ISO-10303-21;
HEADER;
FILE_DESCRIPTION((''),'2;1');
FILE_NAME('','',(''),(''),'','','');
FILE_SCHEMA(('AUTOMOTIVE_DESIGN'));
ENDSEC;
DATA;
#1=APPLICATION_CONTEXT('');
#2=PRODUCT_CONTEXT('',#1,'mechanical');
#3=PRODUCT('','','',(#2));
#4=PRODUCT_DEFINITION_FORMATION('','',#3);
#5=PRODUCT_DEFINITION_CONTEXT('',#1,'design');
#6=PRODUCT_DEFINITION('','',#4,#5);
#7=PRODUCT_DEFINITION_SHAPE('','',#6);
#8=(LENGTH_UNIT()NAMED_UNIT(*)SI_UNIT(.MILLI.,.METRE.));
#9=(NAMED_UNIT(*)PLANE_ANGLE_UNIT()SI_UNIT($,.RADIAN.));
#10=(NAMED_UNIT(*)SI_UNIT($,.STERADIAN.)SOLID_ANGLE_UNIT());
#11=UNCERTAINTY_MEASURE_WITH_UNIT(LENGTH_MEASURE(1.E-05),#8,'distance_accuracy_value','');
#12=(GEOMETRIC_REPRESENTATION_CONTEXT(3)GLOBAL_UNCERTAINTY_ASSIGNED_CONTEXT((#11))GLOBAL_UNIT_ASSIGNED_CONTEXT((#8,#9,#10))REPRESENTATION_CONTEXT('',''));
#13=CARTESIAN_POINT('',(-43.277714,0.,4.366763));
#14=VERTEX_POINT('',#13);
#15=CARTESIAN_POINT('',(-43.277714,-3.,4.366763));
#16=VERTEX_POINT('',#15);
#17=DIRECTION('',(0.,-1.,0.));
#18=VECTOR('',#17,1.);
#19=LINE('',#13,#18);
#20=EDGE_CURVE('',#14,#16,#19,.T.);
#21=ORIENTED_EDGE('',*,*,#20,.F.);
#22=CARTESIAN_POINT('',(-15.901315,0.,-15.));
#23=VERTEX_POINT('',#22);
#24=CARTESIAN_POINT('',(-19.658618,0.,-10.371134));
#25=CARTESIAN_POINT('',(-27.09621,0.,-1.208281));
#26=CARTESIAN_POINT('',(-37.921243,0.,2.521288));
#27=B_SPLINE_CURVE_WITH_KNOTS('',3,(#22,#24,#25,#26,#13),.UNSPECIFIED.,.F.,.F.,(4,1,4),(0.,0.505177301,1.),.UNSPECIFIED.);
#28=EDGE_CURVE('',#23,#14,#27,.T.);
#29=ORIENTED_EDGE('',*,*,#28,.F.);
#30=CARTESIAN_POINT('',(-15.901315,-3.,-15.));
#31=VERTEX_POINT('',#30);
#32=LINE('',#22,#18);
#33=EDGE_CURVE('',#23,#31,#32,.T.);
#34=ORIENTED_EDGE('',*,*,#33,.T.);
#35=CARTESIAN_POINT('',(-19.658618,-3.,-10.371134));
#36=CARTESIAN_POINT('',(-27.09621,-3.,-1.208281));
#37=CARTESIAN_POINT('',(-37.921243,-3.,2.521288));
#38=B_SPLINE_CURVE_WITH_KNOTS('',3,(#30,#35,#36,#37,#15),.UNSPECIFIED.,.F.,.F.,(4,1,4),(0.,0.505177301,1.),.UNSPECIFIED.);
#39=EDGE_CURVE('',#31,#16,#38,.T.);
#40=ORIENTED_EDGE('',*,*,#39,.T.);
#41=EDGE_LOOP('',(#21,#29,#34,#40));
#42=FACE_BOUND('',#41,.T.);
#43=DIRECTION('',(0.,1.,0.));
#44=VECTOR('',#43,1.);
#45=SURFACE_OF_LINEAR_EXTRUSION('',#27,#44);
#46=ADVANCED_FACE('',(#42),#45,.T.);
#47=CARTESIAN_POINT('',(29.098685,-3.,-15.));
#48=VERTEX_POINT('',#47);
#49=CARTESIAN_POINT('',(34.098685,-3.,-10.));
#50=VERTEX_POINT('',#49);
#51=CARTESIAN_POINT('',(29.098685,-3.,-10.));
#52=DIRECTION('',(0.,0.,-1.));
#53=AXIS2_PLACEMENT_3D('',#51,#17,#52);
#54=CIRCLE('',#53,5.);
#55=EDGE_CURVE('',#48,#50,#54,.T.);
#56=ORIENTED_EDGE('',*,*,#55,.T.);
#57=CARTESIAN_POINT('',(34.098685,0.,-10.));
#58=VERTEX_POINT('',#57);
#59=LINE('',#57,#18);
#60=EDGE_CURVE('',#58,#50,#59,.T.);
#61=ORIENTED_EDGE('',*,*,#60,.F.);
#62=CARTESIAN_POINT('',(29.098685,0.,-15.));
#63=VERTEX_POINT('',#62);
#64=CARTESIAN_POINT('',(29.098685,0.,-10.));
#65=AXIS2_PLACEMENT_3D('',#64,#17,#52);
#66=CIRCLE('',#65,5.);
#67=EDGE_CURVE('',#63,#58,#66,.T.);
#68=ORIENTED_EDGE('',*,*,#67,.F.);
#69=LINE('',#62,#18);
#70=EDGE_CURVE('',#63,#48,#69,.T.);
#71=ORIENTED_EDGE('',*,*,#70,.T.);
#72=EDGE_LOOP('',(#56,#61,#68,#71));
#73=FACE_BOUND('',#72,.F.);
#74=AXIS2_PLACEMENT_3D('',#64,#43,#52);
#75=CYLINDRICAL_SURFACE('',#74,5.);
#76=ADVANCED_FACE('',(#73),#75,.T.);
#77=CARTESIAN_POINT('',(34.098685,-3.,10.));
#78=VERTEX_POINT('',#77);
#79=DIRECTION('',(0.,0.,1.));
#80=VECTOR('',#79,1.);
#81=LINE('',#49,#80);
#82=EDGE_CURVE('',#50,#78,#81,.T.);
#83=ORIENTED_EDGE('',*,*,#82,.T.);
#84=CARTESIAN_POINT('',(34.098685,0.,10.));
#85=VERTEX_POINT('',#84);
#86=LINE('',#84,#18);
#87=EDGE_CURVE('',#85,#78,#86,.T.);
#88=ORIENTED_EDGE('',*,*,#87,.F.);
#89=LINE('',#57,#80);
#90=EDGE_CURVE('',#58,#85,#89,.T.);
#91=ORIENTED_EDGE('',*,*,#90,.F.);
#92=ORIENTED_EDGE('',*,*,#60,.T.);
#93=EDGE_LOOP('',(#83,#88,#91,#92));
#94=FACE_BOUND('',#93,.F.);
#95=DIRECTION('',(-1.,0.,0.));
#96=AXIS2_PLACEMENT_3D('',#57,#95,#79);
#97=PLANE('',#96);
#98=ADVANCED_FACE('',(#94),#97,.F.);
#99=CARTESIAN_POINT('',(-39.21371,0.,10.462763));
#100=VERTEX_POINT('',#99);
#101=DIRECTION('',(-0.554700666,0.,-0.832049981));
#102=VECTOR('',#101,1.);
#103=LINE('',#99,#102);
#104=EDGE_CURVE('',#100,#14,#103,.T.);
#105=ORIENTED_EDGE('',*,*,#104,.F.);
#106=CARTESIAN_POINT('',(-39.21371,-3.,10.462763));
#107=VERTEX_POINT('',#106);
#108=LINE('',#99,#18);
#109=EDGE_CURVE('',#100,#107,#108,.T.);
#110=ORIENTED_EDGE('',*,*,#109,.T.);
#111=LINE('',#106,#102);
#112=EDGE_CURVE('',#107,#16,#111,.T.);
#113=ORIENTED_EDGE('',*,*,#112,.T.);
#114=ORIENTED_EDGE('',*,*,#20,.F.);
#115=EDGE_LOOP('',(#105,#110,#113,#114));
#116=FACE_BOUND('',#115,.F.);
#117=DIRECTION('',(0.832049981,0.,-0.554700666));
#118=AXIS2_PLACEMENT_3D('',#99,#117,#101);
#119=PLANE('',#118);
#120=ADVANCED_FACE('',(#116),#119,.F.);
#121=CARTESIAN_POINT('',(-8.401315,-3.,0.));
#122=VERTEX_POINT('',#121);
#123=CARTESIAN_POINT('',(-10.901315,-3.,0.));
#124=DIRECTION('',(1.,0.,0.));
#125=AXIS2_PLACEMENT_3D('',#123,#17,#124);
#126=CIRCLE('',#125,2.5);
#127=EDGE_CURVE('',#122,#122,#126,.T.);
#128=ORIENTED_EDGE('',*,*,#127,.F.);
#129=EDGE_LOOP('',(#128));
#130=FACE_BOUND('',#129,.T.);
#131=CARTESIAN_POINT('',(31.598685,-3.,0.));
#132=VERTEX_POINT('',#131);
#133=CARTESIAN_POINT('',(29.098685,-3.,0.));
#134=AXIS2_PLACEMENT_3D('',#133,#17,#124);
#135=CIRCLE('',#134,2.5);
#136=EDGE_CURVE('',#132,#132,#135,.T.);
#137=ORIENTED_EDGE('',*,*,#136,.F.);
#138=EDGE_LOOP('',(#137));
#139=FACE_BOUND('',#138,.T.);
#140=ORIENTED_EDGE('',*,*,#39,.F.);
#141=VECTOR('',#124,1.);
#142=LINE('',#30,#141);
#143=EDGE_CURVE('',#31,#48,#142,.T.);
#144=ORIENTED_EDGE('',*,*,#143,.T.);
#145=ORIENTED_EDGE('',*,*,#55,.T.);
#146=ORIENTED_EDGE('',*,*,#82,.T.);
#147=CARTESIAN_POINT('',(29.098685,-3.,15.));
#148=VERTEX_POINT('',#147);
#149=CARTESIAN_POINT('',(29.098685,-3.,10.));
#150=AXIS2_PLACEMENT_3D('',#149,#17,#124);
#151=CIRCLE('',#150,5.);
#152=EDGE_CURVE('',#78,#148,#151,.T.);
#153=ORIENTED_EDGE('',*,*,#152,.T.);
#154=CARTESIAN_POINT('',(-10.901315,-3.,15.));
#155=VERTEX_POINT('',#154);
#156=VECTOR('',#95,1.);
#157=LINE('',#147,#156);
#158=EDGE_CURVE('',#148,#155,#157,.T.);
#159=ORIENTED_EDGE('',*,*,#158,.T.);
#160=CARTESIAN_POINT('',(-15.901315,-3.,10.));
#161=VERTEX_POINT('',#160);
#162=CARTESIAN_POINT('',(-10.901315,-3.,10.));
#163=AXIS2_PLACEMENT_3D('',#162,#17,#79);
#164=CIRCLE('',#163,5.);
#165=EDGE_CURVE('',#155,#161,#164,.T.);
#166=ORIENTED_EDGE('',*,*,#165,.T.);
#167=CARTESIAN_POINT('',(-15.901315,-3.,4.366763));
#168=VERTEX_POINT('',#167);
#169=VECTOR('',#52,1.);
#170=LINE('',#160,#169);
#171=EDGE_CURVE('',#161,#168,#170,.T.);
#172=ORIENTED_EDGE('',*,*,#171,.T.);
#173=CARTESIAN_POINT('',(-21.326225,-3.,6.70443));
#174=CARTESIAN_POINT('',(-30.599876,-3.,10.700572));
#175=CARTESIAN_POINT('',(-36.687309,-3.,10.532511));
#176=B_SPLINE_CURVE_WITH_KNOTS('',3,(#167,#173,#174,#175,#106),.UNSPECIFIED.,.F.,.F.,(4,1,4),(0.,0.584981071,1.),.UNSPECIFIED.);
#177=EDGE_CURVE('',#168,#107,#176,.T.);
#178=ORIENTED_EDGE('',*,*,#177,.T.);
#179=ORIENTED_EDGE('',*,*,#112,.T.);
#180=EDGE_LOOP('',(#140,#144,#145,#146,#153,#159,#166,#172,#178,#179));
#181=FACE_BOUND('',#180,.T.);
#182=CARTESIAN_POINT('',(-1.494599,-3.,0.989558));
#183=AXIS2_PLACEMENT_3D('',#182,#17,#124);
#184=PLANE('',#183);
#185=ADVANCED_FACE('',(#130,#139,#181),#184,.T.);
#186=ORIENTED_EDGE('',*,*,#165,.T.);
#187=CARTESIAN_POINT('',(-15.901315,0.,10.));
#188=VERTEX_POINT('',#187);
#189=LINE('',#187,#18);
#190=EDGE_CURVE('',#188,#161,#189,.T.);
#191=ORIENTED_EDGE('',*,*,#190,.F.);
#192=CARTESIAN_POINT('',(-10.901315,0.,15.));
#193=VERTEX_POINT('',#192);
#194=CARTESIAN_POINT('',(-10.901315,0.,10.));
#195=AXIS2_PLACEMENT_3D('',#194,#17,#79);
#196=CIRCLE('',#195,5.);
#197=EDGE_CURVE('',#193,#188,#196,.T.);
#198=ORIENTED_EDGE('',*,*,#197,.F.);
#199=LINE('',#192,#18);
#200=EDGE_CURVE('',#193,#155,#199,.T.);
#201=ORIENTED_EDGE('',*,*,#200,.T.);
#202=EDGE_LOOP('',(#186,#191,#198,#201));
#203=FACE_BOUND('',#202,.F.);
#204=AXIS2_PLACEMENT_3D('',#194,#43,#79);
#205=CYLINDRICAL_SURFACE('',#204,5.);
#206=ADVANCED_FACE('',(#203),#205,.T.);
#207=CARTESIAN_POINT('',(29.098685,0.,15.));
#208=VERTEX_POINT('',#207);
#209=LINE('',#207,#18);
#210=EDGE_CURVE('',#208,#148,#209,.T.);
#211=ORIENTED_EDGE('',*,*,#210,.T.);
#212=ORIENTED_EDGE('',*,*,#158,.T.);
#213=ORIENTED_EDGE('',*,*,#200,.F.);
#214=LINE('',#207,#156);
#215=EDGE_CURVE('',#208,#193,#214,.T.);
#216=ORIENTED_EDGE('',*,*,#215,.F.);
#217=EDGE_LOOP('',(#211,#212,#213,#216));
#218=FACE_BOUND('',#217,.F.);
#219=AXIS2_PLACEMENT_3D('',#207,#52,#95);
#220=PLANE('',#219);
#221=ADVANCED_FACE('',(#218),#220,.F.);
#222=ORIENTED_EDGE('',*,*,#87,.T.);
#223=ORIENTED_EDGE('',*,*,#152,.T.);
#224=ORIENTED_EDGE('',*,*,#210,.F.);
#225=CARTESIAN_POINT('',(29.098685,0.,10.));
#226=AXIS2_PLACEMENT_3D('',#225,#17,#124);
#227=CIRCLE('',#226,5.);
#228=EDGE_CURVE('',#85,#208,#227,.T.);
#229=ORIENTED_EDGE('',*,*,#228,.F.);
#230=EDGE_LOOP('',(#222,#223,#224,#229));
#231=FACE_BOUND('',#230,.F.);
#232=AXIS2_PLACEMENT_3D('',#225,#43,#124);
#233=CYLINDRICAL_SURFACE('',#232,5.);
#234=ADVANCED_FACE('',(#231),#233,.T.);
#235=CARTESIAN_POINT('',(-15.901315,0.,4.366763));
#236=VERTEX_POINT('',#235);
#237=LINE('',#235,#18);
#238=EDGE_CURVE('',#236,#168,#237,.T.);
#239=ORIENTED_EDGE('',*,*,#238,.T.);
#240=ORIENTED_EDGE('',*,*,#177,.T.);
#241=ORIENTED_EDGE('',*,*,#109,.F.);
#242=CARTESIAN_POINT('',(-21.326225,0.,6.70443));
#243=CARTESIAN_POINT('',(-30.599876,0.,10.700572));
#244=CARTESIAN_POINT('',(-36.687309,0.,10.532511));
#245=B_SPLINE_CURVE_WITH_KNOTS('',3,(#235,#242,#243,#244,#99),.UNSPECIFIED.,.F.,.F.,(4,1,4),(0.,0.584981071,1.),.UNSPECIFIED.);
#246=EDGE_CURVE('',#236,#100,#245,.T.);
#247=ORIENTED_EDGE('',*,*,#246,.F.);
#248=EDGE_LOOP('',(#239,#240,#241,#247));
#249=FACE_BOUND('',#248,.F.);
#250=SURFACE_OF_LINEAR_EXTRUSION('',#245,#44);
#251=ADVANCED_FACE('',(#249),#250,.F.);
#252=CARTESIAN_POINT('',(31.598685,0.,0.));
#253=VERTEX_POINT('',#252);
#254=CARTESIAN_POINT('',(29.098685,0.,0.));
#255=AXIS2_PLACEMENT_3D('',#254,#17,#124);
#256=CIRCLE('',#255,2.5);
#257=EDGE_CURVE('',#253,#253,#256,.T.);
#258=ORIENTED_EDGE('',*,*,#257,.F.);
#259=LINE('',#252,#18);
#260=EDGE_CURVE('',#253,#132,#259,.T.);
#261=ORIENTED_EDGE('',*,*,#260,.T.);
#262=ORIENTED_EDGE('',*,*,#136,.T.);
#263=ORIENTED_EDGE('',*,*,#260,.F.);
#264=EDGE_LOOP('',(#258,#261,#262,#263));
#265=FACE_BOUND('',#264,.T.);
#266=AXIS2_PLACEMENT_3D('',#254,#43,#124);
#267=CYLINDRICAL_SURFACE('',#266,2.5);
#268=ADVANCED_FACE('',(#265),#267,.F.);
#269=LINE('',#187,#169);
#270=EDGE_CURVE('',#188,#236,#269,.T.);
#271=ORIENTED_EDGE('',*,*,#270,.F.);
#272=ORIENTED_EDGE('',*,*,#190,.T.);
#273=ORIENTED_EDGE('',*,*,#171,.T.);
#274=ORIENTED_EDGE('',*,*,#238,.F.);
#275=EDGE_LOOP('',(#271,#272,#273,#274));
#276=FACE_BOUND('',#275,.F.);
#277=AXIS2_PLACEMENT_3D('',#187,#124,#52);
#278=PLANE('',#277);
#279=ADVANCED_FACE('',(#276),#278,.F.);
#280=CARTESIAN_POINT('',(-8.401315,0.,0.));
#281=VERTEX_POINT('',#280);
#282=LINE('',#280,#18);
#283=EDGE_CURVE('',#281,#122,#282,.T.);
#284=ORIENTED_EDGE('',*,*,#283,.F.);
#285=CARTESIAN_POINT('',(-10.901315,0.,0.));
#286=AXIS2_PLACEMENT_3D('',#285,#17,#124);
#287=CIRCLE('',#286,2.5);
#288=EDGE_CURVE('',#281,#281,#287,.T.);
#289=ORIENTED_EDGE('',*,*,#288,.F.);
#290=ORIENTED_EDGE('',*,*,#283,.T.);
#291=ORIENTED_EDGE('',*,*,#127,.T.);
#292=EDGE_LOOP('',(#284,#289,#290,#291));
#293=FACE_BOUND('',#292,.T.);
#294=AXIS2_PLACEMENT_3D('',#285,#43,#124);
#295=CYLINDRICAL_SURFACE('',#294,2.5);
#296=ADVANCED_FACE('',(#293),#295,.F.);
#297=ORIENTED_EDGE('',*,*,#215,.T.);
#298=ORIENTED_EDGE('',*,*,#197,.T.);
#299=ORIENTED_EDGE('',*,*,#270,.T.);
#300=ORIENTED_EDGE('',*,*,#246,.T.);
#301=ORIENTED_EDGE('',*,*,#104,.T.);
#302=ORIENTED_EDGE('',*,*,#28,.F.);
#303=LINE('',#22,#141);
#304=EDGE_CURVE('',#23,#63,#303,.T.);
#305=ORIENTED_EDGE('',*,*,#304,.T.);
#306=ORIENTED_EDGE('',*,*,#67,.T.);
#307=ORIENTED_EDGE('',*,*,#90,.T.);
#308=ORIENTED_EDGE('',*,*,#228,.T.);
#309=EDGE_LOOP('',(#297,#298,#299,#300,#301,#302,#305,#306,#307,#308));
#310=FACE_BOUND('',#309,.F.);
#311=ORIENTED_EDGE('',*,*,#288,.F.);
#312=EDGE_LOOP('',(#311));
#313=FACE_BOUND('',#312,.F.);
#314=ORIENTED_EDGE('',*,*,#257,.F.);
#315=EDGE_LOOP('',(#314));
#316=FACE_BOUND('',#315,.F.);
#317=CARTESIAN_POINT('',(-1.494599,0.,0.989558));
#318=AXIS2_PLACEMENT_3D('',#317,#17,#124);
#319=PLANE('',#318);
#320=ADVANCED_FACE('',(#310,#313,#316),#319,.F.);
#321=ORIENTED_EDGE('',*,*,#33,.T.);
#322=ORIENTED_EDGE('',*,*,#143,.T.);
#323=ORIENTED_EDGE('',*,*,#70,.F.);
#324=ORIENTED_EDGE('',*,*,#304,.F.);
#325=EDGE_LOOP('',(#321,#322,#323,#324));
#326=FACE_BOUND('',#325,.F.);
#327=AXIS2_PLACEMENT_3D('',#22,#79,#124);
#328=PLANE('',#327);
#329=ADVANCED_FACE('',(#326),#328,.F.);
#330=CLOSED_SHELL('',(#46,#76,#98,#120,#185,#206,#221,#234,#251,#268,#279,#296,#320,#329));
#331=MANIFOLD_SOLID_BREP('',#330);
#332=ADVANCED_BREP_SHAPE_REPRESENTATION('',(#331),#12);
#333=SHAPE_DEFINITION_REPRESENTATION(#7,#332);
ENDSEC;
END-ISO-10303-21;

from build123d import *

# Parameters (mm, degrees)
F0_R     = 2.5
F1_DEPTH = 3


with BuildPart() as f1:
    # F0 (on Front) → F1 (new body)
    with BuildSketch(Plane.XZ):
        with BuildLine():
            Line((29.0986847878, 15), (-10.9013152122, 15))
            ThreePointArc((-10.9013152122, 15), (-14.4368491182, 13.5355339059), (-15.9013152122, 10))
            Line((-15.9013152122, 10), (-15.9013152122, 4.3667629361))
            add(Edge.make_bspline(
                [(-15.9013152122, 4.3667629361), (-21.3262252844, 6.7044301333), (-30.5998759105, 10.7005717427), (-36.6873094028, 10.5325111254), (-39.2137095332, 10.4627627879)],
                knots=[0, 0, 0, 0, 0.5849810707, 1, 1, 1, 1], degree=3))
            Line((-39.2137095332, 10.4627627879), (-43.2777144015, 4.3667629361))
            add(Edge.make_bspline(
                [(-15.9013152122, -15), (-19.6586178853, -10.3711344982), (-27.0962099205, -1.2082812004), (-37.9212425453, 2.5212876251), (-43.2777144015, 4.3667629361)],
                knots=[0, 0, 0, 0, 0.5051773014, 1, 1, 1, 1], degree=3))
            Line((-15.9013152122, -15), (29.0986847878, -15))
            ThreePointArc((29.0986847878, -15), (32.6342186937, -13.5355339059), (34.0986847878, -10))
            Line((34.0986847878, -10), (34.0986847878, 10))
            ThreePointArc((34.0986847878, 10), (32.6342186937, 13.5355339059), (29.0986847878, 15))
        make_face()
        with Locations((-10.9013152122, 0)):
            Circle(F0_R, mode=Mode.SUBTRACT)
        with Locations((29.0986847878, 0)):
            Circle(F0_R, mode=Mode.SUBTRACT)
    extrude(amount=F1_DEPTH)


solid = f1.part
